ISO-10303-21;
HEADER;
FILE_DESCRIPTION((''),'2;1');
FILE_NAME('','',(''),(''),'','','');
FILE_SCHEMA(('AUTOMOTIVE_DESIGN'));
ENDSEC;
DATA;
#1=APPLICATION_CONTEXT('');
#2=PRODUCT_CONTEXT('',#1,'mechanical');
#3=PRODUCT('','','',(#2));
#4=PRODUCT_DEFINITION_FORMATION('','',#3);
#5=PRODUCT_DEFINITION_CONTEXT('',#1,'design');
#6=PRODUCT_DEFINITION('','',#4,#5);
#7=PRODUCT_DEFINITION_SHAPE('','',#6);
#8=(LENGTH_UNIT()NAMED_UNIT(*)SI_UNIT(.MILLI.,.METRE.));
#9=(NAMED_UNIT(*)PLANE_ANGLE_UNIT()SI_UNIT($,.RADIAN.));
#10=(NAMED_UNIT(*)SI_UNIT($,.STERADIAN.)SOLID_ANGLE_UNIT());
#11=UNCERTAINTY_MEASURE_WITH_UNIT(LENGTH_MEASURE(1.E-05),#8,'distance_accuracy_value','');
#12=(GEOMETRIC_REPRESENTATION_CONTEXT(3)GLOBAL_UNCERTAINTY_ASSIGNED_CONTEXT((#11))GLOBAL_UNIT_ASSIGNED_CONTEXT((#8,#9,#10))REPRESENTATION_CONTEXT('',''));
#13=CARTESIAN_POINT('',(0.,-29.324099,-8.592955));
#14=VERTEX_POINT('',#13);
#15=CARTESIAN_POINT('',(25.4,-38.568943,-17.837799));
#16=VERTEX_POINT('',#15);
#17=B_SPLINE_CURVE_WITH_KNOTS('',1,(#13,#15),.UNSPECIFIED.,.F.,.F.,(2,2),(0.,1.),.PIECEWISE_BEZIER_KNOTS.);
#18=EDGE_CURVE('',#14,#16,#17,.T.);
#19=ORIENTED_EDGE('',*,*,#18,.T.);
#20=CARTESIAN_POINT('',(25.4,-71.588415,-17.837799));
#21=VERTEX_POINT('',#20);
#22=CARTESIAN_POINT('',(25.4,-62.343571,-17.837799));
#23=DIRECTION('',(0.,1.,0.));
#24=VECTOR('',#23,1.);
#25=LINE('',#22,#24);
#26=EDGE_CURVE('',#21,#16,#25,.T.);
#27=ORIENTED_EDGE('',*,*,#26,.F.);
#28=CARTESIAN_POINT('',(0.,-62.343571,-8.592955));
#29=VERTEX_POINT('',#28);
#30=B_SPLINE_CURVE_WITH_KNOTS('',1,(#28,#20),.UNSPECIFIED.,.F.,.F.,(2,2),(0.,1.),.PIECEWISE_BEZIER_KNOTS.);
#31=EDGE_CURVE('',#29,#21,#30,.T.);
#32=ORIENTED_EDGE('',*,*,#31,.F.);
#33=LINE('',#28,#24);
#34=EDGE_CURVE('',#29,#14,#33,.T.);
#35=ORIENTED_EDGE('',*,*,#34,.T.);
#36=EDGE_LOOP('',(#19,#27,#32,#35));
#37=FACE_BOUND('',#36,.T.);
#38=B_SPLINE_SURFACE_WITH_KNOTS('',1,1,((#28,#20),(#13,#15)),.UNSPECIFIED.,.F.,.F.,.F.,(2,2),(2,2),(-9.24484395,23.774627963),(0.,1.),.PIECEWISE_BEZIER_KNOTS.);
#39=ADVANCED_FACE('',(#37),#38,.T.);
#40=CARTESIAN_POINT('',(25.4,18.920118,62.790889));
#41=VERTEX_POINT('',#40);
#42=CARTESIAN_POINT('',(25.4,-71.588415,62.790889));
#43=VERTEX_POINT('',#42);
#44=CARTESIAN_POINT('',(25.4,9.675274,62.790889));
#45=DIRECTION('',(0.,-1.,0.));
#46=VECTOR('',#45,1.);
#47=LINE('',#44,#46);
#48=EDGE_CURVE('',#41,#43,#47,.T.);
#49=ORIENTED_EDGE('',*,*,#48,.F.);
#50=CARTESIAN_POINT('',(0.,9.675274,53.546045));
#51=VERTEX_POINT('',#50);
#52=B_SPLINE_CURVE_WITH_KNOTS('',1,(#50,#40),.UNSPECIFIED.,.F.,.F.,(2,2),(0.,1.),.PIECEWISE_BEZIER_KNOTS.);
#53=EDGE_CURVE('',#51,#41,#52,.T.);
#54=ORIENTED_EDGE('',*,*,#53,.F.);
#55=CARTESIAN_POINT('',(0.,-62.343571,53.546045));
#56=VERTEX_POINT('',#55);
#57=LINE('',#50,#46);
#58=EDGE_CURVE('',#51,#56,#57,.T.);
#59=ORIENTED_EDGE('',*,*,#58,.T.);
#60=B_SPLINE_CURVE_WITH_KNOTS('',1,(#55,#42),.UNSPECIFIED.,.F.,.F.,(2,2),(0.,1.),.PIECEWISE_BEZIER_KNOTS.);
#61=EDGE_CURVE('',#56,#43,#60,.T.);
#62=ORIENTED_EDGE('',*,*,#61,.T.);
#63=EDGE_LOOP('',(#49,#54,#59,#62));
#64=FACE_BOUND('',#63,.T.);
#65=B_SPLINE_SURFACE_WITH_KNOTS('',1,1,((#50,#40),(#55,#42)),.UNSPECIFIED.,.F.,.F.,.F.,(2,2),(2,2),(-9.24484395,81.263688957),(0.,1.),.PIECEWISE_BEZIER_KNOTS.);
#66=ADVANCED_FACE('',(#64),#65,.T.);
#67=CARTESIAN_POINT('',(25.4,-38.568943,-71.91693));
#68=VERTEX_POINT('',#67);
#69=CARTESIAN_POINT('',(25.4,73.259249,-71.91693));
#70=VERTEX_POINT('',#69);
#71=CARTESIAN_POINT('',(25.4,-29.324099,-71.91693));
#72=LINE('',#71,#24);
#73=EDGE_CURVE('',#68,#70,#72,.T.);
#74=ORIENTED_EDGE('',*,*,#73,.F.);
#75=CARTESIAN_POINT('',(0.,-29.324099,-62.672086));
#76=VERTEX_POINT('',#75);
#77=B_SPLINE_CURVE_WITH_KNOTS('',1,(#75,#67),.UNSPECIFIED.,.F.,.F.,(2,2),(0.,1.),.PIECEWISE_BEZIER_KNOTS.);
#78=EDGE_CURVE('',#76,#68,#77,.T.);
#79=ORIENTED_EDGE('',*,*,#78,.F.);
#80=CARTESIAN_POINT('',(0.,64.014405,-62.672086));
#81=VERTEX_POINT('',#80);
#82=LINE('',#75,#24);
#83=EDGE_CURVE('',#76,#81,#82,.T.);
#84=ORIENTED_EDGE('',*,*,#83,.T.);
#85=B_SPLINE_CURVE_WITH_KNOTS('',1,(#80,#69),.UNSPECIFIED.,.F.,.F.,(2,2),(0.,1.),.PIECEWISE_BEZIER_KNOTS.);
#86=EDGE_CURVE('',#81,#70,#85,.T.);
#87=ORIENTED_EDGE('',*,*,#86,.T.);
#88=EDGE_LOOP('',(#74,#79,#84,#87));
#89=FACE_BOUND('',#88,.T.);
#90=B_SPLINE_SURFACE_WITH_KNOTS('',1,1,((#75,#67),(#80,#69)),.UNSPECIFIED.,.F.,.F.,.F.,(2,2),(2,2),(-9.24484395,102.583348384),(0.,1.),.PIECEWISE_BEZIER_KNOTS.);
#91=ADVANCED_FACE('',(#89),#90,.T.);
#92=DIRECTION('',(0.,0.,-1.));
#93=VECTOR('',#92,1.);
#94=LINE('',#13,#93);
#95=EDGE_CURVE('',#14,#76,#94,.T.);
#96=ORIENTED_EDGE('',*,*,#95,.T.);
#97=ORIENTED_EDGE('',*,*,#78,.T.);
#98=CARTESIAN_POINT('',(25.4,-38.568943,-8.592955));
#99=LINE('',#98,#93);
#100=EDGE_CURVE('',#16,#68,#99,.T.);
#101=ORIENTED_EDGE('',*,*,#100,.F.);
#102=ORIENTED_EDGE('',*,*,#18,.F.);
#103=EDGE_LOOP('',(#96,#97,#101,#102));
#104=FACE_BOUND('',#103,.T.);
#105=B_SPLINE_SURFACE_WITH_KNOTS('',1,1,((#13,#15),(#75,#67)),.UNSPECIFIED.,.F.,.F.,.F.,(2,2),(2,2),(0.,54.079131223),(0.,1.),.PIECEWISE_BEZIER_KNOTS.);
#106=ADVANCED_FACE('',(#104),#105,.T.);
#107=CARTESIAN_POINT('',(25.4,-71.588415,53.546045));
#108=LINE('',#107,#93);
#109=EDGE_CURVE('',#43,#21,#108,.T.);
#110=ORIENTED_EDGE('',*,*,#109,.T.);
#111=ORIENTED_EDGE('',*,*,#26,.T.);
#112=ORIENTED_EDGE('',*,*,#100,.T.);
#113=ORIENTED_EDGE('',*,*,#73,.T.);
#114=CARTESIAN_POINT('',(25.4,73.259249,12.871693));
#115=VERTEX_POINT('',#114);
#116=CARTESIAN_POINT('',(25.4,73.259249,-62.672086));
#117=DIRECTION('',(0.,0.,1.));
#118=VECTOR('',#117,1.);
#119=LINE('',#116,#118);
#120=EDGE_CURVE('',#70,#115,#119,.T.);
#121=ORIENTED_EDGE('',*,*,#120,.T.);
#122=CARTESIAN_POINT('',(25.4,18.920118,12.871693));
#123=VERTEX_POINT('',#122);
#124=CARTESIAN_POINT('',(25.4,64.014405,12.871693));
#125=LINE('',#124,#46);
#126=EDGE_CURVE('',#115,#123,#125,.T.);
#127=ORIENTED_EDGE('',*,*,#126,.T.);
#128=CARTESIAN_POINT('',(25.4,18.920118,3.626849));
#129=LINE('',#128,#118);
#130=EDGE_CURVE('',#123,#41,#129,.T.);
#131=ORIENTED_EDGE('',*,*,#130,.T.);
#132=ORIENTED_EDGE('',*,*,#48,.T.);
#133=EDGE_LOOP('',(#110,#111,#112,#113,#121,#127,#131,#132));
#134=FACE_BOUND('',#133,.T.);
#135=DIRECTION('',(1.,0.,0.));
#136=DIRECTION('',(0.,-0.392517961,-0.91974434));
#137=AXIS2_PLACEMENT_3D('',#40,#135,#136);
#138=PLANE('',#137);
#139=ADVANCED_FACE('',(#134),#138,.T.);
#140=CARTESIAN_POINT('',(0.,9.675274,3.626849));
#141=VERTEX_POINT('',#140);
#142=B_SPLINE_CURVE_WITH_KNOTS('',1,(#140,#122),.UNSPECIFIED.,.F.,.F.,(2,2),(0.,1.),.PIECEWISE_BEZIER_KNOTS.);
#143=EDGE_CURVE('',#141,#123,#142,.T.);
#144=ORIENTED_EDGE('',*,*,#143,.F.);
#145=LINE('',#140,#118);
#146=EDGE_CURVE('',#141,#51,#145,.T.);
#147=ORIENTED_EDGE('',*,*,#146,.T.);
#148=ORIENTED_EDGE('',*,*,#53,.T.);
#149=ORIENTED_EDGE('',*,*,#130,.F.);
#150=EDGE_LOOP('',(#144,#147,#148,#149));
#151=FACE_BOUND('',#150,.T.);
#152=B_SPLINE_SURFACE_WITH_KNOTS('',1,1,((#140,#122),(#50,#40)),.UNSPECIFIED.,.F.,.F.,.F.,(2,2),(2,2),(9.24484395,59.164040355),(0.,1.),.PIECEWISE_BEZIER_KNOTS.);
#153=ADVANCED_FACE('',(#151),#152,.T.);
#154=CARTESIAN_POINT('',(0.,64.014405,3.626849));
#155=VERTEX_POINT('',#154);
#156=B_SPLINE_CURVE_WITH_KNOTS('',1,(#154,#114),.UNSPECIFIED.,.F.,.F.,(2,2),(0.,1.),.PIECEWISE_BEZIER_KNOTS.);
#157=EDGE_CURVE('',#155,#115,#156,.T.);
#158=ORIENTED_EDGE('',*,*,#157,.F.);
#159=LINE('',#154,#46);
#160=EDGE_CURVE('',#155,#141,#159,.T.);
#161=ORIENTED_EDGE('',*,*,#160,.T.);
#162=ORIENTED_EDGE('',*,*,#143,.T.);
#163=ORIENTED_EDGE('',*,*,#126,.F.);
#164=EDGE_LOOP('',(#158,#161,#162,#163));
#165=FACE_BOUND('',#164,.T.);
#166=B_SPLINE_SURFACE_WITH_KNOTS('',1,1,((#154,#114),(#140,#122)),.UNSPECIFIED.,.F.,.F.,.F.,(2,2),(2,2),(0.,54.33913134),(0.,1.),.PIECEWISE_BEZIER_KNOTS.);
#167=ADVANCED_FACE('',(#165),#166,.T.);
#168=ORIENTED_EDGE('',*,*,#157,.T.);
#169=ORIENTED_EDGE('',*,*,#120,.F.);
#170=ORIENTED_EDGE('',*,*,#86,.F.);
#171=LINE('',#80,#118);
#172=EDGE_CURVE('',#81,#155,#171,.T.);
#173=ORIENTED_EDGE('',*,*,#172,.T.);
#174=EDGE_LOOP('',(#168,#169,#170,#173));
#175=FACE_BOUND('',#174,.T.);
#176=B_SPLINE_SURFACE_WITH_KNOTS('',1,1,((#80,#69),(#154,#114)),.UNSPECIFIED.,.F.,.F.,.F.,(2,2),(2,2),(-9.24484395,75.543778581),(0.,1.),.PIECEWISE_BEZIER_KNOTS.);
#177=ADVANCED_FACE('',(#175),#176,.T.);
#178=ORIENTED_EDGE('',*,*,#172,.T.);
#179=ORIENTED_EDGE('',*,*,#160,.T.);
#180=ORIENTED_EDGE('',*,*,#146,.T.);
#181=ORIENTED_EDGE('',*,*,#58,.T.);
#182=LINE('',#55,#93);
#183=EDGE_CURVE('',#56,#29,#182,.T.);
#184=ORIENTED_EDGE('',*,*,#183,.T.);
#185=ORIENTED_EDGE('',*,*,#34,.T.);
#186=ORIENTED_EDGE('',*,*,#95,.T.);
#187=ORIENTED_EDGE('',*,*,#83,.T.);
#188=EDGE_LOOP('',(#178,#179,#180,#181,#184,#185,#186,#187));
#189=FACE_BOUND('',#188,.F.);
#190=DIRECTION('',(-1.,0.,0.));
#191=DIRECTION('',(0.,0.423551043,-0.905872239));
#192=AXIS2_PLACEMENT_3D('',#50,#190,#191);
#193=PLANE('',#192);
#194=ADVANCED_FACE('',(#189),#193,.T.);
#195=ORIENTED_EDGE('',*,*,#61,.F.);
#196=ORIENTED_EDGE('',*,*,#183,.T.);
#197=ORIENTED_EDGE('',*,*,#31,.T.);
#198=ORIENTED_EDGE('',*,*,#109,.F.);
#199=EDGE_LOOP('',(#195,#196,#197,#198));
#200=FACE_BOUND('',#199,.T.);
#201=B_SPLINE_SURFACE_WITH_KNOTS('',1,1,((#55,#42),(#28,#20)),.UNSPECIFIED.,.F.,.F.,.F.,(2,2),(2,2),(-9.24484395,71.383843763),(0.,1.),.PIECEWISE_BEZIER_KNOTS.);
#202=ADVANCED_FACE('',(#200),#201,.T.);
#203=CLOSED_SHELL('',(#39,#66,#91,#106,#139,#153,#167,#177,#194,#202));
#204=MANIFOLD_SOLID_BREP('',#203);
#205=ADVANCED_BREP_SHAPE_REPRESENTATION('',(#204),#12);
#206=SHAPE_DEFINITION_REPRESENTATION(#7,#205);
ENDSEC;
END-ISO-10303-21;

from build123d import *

# Parameters (mm, degrees)
F1_DEPTH = 25.4
F1_TAPER = -20


with BuildPart() as f1:
    # F0 (on Right) → F1 (new body)
    with BuildSketch(Plane.YZ):
        Polygon((9.6752736717, 53.5460449755), (-62.3435713351, 53.5460449755), (-62.3435713351, -8.5929548368), (-29.3240994215, -8.5929548368), (-29.3240994215, -62.67208606), (64.0144050121, -62.67208606), (64.0144050121, 3.626848571), (9.6752736717, 3.626848571), align=None)
    extrude(amount=F1_DEPTH, taper=F1_TAPER)


solid = f1.part
